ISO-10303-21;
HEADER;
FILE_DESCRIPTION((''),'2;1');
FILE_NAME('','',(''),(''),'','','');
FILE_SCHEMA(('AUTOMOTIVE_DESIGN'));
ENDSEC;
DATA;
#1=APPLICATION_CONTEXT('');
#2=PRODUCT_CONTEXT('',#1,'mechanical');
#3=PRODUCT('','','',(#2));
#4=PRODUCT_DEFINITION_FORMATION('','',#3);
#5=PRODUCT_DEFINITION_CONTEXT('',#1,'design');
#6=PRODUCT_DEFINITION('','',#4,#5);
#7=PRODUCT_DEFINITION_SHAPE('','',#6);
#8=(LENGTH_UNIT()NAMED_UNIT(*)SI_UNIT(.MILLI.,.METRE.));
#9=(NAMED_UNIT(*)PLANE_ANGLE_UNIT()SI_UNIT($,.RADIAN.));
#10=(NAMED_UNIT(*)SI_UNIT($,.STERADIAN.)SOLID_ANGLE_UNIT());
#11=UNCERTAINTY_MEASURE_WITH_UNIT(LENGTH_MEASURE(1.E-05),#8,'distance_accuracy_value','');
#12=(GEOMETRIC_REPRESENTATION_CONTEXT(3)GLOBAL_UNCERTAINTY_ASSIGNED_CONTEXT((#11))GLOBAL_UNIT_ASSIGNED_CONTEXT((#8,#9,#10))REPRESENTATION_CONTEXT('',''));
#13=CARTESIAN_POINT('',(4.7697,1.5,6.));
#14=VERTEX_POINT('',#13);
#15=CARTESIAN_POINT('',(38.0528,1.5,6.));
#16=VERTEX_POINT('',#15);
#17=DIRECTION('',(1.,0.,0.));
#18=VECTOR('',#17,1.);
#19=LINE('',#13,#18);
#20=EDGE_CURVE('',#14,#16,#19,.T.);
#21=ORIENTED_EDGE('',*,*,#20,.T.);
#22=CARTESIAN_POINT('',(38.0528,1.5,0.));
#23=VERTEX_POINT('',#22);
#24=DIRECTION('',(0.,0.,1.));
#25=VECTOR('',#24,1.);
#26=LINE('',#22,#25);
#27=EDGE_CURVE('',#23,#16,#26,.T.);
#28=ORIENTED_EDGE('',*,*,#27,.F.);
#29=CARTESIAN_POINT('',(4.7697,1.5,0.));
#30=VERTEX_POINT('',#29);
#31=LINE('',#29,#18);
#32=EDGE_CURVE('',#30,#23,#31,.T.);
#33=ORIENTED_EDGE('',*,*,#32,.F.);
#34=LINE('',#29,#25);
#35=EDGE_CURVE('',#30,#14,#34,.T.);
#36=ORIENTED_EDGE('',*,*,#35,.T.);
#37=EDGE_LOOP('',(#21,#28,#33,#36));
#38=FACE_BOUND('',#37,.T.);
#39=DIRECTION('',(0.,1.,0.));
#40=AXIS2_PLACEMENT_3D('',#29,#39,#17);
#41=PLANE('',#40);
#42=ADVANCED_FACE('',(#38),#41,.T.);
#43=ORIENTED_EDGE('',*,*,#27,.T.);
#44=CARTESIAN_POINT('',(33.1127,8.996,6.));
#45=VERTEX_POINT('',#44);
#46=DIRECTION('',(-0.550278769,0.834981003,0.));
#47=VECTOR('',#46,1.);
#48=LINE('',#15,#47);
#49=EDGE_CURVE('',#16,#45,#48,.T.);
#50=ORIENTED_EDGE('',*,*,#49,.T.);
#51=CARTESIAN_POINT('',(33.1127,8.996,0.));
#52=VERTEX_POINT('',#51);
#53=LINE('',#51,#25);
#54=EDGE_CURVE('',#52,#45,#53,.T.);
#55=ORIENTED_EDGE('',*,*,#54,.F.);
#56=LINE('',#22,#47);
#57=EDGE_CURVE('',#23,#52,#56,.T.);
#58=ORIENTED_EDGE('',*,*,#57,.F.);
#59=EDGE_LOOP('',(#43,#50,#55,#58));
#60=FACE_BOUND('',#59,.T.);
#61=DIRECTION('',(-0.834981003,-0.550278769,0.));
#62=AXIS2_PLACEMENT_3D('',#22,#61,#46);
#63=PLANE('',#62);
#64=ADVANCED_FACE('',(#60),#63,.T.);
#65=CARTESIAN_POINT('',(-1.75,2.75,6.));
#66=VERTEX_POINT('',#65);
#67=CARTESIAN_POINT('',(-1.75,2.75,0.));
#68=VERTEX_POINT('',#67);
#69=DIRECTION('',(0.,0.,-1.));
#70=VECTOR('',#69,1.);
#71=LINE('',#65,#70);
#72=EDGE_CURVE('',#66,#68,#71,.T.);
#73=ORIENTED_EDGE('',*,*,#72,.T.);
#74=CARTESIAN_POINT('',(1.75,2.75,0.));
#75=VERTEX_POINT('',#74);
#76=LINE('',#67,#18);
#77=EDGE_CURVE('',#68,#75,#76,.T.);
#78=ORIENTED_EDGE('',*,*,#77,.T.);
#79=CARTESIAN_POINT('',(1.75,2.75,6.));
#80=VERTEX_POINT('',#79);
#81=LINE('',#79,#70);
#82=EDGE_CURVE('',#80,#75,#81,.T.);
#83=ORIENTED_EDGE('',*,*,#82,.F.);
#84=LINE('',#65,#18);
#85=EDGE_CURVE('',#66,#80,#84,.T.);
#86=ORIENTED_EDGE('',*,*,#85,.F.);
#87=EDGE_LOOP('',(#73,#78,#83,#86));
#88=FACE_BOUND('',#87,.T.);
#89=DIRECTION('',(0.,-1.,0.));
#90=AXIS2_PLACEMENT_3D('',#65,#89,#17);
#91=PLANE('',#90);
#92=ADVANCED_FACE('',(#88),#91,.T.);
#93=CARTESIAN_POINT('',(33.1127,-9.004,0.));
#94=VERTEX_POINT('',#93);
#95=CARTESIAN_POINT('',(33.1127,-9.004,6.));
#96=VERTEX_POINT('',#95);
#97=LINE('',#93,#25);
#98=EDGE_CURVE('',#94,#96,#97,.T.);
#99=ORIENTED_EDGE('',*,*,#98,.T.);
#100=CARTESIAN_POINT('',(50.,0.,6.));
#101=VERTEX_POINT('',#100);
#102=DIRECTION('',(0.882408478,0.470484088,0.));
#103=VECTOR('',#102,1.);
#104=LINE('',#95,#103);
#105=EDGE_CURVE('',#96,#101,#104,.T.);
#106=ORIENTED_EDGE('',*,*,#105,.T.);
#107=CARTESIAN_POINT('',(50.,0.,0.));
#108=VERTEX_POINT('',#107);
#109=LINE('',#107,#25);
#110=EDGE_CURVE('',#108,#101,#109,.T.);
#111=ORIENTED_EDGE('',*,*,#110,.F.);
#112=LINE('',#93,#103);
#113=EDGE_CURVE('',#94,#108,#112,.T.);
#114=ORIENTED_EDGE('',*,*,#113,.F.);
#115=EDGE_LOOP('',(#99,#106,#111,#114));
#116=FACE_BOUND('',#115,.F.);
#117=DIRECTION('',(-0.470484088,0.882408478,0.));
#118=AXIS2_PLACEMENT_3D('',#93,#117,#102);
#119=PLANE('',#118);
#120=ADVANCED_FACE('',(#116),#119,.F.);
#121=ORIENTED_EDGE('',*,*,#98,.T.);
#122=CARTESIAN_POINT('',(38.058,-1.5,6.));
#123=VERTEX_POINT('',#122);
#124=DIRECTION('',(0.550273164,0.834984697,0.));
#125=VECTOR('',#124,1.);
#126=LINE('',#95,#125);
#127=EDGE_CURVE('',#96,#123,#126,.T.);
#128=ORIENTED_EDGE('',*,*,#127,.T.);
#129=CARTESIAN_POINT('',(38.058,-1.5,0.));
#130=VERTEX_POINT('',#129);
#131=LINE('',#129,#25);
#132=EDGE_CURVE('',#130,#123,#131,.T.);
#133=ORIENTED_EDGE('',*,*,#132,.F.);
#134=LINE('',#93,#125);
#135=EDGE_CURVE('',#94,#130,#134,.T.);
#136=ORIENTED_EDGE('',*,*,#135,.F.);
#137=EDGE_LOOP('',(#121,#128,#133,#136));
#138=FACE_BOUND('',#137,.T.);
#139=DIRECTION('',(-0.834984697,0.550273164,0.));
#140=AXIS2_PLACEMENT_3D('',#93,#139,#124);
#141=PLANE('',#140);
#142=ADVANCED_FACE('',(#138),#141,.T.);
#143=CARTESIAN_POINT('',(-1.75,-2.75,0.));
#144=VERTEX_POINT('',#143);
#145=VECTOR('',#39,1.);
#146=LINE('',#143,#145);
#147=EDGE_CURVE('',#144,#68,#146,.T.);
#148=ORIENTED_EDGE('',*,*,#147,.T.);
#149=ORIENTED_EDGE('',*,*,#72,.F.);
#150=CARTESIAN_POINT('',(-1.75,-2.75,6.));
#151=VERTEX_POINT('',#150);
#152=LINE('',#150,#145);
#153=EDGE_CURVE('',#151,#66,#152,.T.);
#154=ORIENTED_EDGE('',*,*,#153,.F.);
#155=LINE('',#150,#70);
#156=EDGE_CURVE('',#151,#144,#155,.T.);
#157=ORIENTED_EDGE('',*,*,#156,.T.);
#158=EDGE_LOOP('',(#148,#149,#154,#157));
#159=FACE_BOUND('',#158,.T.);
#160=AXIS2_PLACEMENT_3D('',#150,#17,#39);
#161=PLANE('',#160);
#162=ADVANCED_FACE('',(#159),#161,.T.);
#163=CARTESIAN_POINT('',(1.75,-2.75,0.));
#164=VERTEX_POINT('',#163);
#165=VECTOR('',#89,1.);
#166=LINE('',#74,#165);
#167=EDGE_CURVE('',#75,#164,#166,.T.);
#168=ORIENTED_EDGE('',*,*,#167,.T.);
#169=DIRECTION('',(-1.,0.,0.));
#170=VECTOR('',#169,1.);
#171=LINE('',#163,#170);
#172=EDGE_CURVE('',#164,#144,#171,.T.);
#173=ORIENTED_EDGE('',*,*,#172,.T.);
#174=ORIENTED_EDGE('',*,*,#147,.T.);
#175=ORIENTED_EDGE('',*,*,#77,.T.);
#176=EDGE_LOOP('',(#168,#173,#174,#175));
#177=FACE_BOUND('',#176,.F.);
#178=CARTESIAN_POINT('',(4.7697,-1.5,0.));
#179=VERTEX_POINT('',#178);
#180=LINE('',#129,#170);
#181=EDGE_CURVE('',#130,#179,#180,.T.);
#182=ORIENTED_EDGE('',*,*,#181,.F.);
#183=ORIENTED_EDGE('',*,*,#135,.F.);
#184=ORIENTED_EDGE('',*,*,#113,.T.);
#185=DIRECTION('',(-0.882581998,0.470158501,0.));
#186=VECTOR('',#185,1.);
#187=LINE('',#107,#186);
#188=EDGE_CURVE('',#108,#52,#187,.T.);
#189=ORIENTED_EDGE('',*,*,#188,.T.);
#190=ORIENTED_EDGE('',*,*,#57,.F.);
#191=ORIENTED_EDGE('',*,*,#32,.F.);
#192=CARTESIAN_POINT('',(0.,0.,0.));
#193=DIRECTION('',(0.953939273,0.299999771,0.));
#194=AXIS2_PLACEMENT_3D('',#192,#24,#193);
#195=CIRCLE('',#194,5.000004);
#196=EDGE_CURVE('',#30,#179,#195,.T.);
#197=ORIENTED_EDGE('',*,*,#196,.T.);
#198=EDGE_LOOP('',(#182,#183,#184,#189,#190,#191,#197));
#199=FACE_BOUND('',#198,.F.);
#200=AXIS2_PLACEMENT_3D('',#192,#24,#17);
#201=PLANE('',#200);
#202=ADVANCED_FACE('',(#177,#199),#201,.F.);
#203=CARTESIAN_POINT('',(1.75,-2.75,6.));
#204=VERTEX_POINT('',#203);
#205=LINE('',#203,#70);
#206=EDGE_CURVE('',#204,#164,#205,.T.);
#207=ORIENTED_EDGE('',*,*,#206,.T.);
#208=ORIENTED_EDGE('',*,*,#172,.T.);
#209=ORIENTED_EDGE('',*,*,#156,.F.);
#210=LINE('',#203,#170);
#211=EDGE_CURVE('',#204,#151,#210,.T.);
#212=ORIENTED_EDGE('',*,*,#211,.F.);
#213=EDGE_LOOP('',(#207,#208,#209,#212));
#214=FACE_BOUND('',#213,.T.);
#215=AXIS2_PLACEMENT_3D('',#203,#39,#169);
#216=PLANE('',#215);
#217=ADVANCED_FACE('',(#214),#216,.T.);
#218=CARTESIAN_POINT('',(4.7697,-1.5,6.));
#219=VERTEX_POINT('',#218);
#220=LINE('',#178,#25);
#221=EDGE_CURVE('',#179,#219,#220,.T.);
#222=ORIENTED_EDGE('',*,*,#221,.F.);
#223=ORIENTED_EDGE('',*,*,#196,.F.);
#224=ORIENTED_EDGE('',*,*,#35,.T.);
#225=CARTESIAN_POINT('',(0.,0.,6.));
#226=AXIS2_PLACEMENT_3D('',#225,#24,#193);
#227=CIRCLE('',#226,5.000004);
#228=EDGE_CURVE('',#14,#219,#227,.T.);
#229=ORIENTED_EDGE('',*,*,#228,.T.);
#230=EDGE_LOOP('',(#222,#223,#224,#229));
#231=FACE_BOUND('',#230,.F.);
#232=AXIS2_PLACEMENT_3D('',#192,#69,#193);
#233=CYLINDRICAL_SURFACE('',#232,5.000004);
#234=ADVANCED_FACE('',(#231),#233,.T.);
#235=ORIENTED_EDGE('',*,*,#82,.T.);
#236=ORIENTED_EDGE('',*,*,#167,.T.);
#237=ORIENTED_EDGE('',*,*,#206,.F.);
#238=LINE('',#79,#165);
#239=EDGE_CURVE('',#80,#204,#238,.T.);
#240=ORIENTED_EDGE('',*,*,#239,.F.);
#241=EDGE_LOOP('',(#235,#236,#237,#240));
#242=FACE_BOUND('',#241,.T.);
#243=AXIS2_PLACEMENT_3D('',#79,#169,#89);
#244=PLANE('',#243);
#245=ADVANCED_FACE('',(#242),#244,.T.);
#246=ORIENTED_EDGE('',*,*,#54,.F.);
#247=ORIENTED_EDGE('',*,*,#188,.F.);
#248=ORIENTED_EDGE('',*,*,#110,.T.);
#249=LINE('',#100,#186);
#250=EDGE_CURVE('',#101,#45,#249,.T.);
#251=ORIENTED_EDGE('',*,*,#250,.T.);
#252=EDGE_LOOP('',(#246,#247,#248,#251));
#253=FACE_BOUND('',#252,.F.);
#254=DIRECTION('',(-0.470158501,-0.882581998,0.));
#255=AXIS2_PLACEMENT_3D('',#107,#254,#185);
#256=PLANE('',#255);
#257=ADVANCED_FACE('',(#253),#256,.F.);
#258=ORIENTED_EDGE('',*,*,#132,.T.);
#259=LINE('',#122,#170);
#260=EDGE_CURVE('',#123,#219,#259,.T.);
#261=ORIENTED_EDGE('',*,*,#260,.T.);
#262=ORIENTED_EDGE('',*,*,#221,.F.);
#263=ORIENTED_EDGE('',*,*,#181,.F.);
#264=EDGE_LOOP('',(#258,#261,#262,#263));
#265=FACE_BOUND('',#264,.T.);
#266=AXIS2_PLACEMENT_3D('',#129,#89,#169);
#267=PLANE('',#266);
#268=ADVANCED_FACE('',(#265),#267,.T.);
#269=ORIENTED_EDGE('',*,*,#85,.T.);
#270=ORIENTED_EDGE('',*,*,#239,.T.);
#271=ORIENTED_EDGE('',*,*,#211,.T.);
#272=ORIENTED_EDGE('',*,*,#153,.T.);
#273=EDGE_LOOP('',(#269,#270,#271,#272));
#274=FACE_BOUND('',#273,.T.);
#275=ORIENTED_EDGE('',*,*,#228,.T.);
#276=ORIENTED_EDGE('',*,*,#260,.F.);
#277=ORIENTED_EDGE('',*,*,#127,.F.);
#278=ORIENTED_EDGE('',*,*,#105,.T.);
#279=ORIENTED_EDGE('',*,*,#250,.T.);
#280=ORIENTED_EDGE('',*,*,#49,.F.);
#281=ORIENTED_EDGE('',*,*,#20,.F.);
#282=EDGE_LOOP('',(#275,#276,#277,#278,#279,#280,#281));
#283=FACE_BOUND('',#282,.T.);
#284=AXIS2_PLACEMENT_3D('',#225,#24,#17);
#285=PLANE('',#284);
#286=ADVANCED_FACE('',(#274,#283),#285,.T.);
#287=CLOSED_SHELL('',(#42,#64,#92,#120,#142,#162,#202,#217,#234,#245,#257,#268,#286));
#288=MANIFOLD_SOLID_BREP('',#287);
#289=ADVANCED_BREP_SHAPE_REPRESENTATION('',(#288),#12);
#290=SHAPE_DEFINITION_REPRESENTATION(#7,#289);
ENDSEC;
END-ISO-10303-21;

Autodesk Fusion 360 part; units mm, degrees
sketch "Sketch1" plane through (0, 0, 0) normal (0, 0, 1) x (1, 0, 0)
  line L0 (38.058, -1.5) -> (4.7697, -1.5)
  line L1 (4.7697, 1.5) -> (38.0528, 1.5)
  line L2 (50, 0) -> (33.1127, 8.996)
  line L3 (33.1127, -9.004) -> (50, 0)
  line L4 (33.1127, -9.004) -> (38.058, -1.5)
  line L5 (38.0528, 1.5) -> (33.1127, 8.996)
  arc A0 (4.7697, 1.5) -> (4.7697, -1.5) centre (0, 0) ccw
  point P0 (33.1127, 8.996)
  point P1 (33.1127, -9.004)
  point P2 (39.044, -0.004)
  dimension "d1" = 10
extrude "Extrude1" add sketch "Sketch1" along normal blind 6
sketch "Sketch2" plane through (0, 0, 6) normal (0, 0, 1) x (-1, 0, 0)
  line L0 (-38.0528, -1.5) -> (-4.7697, -1.5)
  arc A0 (-4.7697, -1.5) -> (-4.7697, 1.5) centre (0, 0) ccw
  line L1 (-4.7697, 1.5) -> (-38.058, 1.5)
  line L2 (-38.058, 1.5) -> (-33.1127, 9.004)
  line L3 (-33.1127, 9.004) -> (-50, 0)
  line L4 (-50, 0) -> (-33.1127, -8.996)
  line L5 (-33.1127, -8.996) -> (-38.0528, -1.5)
  line L6 (1.75, -2.75) -> (-1.75, -2.75)
  line L7 (-1.75, -2.75) -> (-1.75, 2.75)
  line L8 (-1.75, 2.75) -> (1.75, 2.75)
  line L9 (1.75, 2.75) -> (1.75, -2.75)
  line L10 (1.75, -2.75) -> (-1.75, 2.75) construction
  line L11 (-1.75, -2.75) -> (1.75, 2.75) construction
  dimension "d9" = 3.5
  dimension "d10" = 5.5
extrude "Extrude2" cut sketch "Sketch2" against normal blind 6 contours L6 L7 L8 L9
